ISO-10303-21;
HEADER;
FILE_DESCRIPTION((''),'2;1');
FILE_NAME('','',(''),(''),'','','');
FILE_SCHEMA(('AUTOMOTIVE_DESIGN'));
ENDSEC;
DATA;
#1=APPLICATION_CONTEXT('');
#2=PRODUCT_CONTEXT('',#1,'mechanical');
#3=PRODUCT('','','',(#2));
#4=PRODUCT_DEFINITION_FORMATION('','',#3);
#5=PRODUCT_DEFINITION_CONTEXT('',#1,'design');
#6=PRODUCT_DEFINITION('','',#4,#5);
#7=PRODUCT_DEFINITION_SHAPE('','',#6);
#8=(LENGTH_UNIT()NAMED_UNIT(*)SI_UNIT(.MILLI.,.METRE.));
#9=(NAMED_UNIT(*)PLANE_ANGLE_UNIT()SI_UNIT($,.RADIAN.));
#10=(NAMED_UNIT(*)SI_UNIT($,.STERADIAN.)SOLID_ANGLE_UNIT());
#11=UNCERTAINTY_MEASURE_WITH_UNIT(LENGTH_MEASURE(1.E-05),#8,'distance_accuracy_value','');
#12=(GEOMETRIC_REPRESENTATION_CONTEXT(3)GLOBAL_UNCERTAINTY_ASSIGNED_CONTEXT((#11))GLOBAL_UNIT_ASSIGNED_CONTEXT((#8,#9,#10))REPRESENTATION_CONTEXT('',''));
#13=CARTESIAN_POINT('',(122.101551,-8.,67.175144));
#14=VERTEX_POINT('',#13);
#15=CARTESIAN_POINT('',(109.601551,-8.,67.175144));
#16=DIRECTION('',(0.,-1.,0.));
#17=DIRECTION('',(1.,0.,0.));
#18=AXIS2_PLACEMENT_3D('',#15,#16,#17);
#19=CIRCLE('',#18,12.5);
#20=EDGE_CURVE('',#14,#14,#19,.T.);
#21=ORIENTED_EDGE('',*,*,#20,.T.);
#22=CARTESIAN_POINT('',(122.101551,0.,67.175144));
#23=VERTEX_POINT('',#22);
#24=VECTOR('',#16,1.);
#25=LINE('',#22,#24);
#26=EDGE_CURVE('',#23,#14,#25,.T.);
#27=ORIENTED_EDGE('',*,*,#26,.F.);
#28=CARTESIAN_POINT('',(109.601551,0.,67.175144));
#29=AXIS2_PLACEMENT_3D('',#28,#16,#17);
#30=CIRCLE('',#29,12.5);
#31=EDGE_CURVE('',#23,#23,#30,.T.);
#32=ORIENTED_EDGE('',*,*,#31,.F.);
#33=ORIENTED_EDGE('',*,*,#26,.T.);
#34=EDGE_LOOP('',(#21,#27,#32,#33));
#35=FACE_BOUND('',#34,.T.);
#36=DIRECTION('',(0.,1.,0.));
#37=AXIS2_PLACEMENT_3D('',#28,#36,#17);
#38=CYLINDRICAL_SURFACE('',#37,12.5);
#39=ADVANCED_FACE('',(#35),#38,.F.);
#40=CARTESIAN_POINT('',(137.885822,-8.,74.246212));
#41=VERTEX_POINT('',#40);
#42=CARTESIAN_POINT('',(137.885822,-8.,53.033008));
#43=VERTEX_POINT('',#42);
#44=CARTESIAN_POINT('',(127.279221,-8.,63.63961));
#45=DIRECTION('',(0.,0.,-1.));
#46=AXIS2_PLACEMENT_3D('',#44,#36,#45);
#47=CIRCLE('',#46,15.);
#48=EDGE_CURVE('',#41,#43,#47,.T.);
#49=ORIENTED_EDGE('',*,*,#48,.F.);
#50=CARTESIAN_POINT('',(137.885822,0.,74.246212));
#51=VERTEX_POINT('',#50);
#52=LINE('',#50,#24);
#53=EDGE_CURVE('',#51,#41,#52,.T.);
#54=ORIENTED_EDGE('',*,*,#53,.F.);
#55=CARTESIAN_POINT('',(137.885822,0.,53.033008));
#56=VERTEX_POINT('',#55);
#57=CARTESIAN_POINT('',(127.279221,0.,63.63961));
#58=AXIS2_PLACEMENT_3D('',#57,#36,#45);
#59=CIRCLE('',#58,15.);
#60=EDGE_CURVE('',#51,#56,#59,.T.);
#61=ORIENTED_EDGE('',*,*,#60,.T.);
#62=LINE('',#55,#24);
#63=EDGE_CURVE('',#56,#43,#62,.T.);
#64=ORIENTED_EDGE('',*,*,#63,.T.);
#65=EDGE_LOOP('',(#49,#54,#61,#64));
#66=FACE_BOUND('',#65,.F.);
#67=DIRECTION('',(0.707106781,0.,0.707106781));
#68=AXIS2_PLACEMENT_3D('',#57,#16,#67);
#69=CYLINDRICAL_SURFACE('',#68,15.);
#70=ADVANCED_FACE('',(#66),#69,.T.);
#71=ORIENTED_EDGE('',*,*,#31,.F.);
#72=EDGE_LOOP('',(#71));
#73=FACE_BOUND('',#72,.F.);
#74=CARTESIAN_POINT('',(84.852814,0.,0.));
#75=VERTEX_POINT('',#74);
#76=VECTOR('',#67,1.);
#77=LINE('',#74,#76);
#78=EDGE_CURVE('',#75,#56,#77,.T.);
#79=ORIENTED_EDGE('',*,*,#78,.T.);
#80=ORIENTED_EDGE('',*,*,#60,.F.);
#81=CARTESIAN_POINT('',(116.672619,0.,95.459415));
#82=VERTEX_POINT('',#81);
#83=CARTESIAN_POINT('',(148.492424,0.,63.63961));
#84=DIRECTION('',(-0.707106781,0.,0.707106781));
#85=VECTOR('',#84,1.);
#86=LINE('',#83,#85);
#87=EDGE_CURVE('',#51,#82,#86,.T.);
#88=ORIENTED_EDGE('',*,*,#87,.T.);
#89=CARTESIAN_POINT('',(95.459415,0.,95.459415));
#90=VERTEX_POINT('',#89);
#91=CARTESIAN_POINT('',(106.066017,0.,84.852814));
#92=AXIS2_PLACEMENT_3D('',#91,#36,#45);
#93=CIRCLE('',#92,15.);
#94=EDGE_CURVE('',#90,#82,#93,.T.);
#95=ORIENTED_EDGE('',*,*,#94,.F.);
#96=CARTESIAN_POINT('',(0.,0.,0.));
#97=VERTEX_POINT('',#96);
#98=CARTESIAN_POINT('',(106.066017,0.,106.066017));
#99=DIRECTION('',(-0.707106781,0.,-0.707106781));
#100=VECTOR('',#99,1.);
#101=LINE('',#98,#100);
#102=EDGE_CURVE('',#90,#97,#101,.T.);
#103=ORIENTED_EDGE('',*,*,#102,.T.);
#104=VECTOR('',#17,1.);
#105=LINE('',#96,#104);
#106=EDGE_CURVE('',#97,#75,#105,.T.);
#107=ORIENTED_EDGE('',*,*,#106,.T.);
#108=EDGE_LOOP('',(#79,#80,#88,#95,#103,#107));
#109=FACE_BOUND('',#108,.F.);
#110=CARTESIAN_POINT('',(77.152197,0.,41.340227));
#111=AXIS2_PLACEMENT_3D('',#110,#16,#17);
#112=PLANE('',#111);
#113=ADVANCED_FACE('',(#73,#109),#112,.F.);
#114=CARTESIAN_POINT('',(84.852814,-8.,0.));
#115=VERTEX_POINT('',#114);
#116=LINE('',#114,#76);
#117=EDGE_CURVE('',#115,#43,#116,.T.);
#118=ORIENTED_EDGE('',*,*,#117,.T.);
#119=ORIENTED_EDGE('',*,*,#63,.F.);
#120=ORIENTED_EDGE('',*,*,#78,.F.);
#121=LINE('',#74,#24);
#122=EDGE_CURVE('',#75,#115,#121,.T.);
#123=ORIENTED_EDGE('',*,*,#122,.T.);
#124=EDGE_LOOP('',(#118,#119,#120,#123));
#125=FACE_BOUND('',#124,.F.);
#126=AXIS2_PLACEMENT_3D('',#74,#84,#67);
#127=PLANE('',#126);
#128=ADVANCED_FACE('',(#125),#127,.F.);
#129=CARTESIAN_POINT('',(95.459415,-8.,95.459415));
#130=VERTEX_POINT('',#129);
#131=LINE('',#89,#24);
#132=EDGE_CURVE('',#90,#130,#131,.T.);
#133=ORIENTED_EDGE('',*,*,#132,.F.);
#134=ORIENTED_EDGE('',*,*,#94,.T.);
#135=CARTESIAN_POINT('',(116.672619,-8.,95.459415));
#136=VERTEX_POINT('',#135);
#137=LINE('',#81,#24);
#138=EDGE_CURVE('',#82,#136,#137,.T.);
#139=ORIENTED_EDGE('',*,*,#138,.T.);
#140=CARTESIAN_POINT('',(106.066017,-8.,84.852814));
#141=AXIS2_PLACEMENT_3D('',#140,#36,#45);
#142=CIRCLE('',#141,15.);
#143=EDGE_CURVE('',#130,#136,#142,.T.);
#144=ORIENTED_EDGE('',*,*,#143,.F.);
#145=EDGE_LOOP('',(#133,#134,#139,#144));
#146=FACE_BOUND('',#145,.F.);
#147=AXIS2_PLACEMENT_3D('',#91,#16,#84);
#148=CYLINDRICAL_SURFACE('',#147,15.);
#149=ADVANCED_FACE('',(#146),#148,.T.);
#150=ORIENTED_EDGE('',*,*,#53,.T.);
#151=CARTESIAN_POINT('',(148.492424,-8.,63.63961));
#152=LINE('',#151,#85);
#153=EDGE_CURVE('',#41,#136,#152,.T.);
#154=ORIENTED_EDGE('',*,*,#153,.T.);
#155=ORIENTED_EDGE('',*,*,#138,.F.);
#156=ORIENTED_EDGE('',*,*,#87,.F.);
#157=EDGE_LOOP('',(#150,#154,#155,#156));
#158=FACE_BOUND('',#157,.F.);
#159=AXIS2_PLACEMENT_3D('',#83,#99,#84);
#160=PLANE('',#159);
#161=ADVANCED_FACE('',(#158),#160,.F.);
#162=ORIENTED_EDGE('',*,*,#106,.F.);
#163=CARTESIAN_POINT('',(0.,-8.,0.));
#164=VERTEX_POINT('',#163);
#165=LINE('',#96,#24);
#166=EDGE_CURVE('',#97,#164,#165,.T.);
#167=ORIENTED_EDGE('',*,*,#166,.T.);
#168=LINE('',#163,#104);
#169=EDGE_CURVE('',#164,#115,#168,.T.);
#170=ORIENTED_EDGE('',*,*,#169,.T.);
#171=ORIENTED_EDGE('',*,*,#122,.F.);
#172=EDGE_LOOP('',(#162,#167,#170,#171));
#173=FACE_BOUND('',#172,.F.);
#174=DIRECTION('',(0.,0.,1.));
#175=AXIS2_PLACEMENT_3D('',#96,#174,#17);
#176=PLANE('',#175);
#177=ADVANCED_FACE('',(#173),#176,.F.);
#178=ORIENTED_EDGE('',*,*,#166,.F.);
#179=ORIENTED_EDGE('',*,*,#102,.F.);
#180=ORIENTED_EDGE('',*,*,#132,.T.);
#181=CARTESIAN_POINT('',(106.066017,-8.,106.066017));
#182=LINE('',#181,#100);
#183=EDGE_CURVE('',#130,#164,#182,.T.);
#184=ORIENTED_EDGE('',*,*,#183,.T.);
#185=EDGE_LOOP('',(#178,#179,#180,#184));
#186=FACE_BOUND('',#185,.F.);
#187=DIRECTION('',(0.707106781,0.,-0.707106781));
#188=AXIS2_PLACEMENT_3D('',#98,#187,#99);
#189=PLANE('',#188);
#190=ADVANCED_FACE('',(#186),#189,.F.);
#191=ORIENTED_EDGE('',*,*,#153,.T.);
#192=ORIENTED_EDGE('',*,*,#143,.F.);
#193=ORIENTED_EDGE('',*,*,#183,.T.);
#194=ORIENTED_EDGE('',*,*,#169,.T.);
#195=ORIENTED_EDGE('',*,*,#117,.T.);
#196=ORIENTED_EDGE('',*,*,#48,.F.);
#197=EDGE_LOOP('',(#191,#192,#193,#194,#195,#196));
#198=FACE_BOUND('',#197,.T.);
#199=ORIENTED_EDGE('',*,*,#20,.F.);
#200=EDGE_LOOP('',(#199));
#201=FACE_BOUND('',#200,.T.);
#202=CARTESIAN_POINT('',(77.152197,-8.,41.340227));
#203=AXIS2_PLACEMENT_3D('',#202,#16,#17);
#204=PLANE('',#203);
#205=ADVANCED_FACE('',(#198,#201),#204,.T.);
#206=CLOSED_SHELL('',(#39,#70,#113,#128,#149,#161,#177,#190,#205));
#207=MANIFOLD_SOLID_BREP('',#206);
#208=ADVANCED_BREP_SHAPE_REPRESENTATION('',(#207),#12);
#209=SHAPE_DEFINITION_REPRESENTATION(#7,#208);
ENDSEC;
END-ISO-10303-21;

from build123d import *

# Parameters (mm, degrees)
F0_R     = 12.5
F1_DEPTH = 8
F2_R     = 15
F3_R     = 15


with BuildPart() as f1:
    # F0 (on Front) → F1 (new body)
    with BuildSketch(Plane.XZ):
        Polygon((106.066017, 106.066017), (0, 0), (84.852814, 0), (148.492424, 63.63961), align=None)
        with Locations((109.601551, 67.175144)):
            Circle(F0_R, mode=Mode.SUBTRACT)
    extrude(amount=F1_DEPTH)

    # F2
    f2_edges = [f1.edges().sort_by_distance(p)[0] for p in [
        (106.066017, -4, 106.066017),
    ]]
    fillet(f2_edges, radius=F2_R)

    # F3
    f3_edges = [f1.edges().sort_by_distance(p)[0] for p in [
        (148.492424, -4, 63.63961),
    ]]
    fillet(f3_edges, radius=F3_R)


solid = f1.part
